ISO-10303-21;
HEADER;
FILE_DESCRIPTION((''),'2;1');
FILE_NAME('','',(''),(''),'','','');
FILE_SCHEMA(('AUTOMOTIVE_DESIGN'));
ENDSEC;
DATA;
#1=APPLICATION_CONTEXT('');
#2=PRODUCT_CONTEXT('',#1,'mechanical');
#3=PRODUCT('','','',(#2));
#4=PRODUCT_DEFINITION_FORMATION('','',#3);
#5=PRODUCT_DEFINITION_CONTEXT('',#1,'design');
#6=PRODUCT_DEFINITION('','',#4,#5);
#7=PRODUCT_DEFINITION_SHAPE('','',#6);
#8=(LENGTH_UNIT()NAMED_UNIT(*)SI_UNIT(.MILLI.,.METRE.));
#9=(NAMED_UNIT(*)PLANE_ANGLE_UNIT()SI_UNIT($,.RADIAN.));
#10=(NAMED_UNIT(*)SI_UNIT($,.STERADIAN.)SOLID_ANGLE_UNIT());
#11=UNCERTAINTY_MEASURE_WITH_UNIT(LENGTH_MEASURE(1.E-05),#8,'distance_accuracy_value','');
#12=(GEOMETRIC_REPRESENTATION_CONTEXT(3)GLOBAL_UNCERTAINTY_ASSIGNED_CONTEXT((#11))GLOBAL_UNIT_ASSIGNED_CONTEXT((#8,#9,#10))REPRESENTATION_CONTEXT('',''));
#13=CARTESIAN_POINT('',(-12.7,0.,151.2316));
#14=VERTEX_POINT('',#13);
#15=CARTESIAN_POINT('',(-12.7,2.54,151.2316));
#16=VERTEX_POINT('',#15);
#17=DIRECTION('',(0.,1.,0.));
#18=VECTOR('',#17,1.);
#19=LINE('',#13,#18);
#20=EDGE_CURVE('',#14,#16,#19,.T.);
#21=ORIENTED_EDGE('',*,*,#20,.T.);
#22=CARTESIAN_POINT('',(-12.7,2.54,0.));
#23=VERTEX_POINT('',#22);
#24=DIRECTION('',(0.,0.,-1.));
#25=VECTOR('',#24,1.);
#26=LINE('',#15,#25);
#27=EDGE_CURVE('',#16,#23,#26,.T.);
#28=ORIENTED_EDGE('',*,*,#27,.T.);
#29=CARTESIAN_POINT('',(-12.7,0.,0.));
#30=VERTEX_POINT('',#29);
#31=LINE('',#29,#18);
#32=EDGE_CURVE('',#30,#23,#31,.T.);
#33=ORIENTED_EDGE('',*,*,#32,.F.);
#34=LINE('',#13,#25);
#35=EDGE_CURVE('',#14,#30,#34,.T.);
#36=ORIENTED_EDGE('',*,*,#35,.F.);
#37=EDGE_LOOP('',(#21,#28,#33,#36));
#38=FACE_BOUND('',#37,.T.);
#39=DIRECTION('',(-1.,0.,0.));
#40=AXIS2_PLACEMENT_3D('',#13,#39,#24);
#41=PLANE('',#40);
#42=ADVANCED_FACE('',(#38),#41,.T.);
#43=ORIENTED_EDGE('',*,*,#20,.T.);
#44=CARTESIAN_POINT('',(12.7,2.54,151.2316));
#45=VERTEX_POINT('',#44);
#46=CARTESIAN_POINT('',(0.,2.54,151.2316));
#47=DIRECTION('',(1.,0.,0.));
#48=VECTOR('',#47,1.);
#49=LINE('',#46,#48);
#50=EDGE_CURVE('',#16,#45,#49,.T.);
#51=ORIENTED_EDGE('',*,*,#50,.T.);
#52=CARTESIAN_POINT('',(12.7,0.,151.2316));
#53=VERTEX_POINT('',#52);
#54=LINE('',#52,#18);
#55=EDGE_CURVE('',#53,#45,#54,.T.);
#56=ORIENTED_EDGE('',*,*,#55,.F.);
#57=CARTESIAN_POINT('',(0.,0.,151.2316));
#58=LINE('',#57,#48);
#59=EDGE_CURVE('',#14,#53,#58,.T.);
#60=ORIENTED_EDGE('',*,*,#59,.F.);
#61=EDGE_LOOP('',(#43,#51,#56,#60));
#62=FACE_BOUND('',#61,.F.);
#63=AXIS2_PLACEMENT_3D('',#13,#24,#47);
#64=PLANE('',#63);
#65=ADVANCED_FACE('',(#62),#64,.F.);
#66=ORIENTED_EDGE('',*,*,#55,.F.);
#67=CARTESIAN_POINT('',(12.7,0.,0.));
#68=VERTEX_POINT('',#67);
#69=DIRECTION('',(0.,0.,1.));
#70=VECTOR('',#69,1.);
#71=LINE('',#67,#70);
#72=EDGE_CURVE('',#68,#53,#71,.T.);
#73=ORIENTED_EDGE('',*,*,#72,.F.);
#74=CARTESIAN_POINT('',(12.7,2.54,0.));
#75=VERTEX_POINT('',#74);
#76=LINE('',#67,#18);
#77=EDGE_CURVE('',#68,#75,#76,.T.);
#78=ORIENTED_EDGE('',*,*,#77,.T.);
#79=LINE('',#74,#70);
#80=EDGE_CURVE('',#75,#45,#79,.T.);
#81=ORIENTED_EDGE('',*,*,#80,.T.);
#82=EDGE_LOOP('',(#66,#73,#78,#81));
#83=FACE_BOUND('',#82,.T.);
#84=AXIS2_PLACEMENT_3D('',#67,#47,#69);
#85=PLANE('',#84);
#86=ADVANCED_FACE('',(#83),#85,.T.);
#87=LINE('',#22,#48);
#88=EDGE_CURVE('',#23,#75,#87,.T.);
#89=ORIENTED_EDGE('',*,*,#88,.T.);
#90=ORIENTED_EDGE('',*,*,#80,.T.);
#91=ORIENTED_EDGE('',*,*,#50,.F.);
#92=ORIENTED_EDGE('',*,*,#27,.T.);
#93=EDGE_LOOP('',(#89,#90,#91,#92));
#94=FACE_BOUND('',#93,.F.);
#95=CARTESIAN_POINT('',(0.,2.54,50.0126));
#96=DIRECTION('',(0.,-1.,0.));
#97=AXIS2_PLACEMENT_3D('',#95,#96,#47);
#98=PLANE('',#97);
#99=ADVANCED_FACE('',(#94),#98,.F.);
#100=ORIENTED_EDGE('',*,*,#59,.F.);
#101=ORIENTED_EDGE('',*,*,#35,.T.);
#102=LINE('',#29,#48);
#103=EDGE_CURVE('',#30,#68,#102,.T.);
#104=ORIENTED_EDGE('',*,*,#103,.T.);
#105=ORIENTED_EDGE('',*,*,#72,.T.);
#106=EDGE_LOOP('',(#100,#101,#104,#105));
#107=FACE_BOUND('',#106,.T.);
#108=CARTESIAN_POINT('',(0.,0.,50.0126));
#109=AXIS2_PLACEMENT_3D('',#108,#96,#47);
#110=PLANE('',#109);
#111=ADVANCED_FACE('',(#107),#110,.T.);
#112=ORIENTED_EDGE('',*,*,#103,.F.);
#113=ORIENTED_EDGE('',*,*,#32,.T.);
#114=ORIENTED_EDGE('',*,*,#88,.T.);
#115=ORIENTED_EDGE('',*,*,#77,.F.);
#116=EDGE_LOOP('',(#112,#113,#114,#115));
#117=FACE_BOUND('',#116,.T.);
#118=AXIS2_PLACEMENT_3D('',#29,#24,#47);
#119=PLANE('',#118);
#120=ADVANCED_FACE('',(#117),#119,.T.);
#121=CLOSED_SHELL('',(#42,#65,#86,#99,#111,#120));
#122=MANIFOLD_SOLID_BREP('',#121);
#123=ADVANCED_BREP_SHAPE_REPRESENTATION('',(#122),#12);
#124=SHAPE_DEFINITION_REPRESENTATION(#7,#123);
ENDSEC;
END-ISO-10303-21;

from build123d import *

# Parameters (mm, degrees)
F0_W     = 25.4
F0_H     = 50.038
F0_H_2   = 1.1684
F1_DEPTH = 2.54


with BuildPart() as f1:
    # F0 (on Front) → F1 (new body)
    with BuildSketch(Plane.XZ):
        Polygon((-12.7, 0), (0, 0), (12.7, 0), (12.7, 100.0252), (-12.7, 100.0252), align=None)
        with Locations((0, 125.0442)):
            Rectangle(F0_W, F0_H)
        with Locations((0, 150.6474)):
            Rectangle(F0_W, F0_H_2)
    extrude(amount=-F1_DEPTH)


solid = f1.part
